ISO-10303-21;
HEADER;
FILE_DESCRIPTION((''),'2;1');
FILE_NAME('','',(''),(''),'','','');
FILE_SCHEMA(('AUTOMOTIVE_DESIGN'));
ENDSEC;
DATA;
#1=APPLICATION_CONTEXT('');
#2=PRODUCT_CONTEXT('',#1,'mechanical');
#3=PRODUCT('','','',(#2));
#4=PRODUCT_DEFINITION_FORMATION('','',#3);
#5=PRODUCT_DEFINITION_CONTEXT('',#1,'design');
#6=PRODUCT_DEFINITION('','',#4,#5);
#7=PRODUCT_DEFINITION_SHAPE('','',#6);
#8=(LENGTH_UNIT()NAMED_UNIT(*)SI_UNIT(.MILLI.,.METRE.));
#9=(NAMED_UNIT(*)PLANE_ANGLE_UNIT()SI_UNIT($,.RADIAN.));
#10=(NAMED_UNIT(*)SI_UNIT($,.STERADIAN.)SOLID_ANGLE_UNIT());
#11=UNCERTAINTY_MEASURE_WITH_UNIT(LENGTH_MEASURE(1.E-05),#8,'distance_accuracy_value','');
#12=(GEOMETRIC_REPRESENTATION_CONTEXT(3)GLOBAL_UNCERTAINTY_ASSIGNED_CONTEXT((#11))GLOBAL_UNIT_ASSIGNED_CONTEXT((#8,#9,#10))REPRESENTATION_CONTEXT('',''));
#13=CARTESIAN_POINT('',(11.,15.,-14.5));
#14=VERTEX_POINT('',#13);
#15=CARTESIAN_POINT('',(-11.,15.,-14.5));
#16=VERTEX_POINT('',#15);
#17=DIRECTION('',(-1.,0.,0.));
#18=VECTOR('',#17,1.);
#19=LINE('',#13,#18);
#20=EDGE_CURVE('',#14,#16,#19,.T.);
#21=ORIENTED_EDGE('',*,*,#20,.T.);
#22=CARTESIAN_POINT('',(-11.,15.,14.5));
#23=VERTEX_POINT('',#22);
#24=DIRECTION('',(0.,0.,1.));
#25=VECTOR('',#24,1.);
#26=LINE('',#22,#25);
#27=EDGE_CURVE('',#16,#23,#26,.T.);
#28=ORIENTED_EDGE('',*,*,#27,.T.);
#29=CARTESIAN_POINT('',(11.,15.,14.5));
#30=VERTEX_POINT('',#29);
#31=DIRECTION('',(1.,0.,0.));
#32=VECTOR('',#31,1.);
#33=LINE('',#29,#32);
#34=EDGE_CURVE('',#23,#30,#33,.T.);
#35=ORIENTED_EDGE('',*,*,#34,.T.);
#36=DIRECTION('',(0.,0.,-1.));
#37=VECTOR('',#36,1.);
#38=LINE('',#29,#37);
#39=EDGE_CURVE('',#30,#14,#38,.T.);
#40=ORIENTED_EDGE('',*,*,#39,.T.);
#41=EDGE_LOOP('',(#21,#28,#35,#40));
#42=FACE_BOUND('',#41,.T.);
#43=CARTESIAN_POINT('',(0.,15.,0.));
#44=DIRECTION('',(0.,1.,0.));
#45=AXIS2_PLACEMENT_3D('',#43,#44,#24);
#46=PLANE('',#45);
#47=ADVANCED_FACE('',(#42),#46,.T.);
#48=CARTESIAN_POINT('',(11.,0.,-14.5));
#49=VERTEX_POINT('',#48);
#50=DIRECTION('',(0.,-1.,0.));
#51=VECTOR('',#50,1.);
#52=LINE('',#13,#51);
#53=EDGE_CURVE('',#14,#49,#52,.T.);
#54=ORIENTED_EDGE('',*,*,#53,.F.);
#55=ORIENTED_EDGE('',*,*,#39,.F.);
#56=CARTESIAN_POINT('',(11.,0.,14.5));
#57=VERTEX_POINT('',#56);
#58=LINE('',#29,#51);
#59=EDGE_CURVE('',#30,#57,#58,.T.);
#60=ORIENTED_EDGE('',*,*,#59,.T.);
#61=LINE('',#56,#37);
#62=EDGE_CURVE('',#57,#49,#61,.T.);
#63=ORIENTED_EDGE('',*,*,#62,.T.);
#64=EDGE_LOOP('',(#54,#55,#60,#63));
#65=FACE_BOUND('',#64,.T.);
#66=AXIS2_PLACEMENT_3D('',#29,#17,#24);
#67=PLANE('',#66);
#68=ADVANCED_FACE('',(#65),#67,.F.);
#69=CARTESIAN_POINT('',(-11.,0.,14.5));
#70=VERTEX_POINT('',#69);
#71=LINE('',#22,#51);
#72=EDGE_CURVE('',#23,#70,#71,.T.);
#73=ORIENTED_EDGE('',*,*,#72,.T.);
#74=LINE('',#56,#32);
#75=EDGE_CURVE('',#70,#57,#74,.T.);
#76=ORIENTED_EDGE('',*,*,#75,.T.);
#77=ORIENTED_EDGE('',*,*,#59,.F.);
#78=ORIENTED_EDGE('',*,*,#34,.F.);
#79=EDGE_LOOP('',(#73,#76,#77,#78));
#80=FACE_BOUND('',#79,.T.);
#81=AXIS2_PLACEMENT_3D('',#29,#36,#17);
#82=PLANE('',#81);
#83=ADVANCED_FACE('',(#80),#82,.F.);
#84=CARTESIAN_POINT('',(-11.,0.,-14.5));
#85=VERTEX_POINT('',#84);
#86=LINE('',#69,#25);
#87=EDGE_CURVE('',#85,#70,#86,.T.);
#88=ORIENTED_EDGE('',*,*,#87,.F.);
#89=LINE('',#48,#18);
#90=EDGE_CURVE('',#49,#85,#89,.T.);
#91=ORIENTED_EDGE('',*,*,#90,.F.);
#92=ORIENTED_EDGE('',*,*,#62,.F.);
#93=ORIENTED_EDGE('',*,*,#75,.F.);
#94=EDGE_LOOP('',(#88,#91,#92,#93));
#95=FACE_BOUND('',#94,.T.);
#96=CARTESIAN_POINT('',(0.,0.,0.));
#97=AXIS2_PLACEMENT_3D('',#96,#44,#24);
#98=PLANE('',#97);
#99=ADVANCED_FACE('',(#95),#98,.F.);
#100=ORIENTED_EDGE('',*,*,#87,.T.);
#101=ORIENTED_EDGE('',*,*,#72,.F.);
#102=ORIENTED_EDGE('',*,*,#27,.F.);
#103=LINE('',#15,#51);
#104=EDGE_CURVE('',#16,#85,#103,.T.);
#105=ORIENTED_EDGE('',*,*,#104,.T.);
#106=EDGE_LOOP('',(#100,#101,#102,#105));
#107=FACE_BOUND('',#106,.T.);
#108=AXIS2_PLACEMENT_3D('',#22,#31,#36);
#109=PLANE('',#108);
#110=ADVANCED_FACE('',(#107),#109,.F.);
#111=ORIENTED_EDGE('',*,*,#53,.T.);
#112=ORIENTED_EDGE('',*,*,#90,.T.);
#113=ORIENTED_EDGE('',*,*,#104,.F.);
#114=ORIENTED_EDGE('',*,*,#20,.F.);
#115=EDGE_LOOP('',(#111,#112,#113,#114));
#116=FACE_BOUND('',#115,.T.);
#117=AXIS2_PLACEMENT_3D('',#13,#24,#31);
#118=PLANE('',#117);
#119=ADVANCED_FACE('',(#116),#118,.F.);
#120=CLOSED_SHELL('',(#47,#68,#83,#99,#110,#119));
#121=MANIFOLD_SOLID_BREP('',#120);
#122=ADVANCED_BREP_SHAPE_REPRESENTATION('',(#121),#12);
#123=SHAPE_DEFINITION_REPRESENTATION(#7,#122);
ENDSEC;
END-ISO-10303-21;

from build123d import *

# Parameters (mm, degrees)
SKETCH1_W           = 22
SKETCH1_H           = 29
BOSS_EXTRUDE1_DEPTH = 15


with BuildPart() as part:
    # Sketch1 → Boss-Extrude1 (new body)
    with BuildSketch(Plane(origin=(0, 0, 0), x_dir=(1, 0, 0), z_dir=(0, 1, 0))):
        Rectangle(SKETCH1_W, SKETCH1_H)
    extrude(amount=BOSS_EXTRUDE1_DEPTH)


solid = part.part
